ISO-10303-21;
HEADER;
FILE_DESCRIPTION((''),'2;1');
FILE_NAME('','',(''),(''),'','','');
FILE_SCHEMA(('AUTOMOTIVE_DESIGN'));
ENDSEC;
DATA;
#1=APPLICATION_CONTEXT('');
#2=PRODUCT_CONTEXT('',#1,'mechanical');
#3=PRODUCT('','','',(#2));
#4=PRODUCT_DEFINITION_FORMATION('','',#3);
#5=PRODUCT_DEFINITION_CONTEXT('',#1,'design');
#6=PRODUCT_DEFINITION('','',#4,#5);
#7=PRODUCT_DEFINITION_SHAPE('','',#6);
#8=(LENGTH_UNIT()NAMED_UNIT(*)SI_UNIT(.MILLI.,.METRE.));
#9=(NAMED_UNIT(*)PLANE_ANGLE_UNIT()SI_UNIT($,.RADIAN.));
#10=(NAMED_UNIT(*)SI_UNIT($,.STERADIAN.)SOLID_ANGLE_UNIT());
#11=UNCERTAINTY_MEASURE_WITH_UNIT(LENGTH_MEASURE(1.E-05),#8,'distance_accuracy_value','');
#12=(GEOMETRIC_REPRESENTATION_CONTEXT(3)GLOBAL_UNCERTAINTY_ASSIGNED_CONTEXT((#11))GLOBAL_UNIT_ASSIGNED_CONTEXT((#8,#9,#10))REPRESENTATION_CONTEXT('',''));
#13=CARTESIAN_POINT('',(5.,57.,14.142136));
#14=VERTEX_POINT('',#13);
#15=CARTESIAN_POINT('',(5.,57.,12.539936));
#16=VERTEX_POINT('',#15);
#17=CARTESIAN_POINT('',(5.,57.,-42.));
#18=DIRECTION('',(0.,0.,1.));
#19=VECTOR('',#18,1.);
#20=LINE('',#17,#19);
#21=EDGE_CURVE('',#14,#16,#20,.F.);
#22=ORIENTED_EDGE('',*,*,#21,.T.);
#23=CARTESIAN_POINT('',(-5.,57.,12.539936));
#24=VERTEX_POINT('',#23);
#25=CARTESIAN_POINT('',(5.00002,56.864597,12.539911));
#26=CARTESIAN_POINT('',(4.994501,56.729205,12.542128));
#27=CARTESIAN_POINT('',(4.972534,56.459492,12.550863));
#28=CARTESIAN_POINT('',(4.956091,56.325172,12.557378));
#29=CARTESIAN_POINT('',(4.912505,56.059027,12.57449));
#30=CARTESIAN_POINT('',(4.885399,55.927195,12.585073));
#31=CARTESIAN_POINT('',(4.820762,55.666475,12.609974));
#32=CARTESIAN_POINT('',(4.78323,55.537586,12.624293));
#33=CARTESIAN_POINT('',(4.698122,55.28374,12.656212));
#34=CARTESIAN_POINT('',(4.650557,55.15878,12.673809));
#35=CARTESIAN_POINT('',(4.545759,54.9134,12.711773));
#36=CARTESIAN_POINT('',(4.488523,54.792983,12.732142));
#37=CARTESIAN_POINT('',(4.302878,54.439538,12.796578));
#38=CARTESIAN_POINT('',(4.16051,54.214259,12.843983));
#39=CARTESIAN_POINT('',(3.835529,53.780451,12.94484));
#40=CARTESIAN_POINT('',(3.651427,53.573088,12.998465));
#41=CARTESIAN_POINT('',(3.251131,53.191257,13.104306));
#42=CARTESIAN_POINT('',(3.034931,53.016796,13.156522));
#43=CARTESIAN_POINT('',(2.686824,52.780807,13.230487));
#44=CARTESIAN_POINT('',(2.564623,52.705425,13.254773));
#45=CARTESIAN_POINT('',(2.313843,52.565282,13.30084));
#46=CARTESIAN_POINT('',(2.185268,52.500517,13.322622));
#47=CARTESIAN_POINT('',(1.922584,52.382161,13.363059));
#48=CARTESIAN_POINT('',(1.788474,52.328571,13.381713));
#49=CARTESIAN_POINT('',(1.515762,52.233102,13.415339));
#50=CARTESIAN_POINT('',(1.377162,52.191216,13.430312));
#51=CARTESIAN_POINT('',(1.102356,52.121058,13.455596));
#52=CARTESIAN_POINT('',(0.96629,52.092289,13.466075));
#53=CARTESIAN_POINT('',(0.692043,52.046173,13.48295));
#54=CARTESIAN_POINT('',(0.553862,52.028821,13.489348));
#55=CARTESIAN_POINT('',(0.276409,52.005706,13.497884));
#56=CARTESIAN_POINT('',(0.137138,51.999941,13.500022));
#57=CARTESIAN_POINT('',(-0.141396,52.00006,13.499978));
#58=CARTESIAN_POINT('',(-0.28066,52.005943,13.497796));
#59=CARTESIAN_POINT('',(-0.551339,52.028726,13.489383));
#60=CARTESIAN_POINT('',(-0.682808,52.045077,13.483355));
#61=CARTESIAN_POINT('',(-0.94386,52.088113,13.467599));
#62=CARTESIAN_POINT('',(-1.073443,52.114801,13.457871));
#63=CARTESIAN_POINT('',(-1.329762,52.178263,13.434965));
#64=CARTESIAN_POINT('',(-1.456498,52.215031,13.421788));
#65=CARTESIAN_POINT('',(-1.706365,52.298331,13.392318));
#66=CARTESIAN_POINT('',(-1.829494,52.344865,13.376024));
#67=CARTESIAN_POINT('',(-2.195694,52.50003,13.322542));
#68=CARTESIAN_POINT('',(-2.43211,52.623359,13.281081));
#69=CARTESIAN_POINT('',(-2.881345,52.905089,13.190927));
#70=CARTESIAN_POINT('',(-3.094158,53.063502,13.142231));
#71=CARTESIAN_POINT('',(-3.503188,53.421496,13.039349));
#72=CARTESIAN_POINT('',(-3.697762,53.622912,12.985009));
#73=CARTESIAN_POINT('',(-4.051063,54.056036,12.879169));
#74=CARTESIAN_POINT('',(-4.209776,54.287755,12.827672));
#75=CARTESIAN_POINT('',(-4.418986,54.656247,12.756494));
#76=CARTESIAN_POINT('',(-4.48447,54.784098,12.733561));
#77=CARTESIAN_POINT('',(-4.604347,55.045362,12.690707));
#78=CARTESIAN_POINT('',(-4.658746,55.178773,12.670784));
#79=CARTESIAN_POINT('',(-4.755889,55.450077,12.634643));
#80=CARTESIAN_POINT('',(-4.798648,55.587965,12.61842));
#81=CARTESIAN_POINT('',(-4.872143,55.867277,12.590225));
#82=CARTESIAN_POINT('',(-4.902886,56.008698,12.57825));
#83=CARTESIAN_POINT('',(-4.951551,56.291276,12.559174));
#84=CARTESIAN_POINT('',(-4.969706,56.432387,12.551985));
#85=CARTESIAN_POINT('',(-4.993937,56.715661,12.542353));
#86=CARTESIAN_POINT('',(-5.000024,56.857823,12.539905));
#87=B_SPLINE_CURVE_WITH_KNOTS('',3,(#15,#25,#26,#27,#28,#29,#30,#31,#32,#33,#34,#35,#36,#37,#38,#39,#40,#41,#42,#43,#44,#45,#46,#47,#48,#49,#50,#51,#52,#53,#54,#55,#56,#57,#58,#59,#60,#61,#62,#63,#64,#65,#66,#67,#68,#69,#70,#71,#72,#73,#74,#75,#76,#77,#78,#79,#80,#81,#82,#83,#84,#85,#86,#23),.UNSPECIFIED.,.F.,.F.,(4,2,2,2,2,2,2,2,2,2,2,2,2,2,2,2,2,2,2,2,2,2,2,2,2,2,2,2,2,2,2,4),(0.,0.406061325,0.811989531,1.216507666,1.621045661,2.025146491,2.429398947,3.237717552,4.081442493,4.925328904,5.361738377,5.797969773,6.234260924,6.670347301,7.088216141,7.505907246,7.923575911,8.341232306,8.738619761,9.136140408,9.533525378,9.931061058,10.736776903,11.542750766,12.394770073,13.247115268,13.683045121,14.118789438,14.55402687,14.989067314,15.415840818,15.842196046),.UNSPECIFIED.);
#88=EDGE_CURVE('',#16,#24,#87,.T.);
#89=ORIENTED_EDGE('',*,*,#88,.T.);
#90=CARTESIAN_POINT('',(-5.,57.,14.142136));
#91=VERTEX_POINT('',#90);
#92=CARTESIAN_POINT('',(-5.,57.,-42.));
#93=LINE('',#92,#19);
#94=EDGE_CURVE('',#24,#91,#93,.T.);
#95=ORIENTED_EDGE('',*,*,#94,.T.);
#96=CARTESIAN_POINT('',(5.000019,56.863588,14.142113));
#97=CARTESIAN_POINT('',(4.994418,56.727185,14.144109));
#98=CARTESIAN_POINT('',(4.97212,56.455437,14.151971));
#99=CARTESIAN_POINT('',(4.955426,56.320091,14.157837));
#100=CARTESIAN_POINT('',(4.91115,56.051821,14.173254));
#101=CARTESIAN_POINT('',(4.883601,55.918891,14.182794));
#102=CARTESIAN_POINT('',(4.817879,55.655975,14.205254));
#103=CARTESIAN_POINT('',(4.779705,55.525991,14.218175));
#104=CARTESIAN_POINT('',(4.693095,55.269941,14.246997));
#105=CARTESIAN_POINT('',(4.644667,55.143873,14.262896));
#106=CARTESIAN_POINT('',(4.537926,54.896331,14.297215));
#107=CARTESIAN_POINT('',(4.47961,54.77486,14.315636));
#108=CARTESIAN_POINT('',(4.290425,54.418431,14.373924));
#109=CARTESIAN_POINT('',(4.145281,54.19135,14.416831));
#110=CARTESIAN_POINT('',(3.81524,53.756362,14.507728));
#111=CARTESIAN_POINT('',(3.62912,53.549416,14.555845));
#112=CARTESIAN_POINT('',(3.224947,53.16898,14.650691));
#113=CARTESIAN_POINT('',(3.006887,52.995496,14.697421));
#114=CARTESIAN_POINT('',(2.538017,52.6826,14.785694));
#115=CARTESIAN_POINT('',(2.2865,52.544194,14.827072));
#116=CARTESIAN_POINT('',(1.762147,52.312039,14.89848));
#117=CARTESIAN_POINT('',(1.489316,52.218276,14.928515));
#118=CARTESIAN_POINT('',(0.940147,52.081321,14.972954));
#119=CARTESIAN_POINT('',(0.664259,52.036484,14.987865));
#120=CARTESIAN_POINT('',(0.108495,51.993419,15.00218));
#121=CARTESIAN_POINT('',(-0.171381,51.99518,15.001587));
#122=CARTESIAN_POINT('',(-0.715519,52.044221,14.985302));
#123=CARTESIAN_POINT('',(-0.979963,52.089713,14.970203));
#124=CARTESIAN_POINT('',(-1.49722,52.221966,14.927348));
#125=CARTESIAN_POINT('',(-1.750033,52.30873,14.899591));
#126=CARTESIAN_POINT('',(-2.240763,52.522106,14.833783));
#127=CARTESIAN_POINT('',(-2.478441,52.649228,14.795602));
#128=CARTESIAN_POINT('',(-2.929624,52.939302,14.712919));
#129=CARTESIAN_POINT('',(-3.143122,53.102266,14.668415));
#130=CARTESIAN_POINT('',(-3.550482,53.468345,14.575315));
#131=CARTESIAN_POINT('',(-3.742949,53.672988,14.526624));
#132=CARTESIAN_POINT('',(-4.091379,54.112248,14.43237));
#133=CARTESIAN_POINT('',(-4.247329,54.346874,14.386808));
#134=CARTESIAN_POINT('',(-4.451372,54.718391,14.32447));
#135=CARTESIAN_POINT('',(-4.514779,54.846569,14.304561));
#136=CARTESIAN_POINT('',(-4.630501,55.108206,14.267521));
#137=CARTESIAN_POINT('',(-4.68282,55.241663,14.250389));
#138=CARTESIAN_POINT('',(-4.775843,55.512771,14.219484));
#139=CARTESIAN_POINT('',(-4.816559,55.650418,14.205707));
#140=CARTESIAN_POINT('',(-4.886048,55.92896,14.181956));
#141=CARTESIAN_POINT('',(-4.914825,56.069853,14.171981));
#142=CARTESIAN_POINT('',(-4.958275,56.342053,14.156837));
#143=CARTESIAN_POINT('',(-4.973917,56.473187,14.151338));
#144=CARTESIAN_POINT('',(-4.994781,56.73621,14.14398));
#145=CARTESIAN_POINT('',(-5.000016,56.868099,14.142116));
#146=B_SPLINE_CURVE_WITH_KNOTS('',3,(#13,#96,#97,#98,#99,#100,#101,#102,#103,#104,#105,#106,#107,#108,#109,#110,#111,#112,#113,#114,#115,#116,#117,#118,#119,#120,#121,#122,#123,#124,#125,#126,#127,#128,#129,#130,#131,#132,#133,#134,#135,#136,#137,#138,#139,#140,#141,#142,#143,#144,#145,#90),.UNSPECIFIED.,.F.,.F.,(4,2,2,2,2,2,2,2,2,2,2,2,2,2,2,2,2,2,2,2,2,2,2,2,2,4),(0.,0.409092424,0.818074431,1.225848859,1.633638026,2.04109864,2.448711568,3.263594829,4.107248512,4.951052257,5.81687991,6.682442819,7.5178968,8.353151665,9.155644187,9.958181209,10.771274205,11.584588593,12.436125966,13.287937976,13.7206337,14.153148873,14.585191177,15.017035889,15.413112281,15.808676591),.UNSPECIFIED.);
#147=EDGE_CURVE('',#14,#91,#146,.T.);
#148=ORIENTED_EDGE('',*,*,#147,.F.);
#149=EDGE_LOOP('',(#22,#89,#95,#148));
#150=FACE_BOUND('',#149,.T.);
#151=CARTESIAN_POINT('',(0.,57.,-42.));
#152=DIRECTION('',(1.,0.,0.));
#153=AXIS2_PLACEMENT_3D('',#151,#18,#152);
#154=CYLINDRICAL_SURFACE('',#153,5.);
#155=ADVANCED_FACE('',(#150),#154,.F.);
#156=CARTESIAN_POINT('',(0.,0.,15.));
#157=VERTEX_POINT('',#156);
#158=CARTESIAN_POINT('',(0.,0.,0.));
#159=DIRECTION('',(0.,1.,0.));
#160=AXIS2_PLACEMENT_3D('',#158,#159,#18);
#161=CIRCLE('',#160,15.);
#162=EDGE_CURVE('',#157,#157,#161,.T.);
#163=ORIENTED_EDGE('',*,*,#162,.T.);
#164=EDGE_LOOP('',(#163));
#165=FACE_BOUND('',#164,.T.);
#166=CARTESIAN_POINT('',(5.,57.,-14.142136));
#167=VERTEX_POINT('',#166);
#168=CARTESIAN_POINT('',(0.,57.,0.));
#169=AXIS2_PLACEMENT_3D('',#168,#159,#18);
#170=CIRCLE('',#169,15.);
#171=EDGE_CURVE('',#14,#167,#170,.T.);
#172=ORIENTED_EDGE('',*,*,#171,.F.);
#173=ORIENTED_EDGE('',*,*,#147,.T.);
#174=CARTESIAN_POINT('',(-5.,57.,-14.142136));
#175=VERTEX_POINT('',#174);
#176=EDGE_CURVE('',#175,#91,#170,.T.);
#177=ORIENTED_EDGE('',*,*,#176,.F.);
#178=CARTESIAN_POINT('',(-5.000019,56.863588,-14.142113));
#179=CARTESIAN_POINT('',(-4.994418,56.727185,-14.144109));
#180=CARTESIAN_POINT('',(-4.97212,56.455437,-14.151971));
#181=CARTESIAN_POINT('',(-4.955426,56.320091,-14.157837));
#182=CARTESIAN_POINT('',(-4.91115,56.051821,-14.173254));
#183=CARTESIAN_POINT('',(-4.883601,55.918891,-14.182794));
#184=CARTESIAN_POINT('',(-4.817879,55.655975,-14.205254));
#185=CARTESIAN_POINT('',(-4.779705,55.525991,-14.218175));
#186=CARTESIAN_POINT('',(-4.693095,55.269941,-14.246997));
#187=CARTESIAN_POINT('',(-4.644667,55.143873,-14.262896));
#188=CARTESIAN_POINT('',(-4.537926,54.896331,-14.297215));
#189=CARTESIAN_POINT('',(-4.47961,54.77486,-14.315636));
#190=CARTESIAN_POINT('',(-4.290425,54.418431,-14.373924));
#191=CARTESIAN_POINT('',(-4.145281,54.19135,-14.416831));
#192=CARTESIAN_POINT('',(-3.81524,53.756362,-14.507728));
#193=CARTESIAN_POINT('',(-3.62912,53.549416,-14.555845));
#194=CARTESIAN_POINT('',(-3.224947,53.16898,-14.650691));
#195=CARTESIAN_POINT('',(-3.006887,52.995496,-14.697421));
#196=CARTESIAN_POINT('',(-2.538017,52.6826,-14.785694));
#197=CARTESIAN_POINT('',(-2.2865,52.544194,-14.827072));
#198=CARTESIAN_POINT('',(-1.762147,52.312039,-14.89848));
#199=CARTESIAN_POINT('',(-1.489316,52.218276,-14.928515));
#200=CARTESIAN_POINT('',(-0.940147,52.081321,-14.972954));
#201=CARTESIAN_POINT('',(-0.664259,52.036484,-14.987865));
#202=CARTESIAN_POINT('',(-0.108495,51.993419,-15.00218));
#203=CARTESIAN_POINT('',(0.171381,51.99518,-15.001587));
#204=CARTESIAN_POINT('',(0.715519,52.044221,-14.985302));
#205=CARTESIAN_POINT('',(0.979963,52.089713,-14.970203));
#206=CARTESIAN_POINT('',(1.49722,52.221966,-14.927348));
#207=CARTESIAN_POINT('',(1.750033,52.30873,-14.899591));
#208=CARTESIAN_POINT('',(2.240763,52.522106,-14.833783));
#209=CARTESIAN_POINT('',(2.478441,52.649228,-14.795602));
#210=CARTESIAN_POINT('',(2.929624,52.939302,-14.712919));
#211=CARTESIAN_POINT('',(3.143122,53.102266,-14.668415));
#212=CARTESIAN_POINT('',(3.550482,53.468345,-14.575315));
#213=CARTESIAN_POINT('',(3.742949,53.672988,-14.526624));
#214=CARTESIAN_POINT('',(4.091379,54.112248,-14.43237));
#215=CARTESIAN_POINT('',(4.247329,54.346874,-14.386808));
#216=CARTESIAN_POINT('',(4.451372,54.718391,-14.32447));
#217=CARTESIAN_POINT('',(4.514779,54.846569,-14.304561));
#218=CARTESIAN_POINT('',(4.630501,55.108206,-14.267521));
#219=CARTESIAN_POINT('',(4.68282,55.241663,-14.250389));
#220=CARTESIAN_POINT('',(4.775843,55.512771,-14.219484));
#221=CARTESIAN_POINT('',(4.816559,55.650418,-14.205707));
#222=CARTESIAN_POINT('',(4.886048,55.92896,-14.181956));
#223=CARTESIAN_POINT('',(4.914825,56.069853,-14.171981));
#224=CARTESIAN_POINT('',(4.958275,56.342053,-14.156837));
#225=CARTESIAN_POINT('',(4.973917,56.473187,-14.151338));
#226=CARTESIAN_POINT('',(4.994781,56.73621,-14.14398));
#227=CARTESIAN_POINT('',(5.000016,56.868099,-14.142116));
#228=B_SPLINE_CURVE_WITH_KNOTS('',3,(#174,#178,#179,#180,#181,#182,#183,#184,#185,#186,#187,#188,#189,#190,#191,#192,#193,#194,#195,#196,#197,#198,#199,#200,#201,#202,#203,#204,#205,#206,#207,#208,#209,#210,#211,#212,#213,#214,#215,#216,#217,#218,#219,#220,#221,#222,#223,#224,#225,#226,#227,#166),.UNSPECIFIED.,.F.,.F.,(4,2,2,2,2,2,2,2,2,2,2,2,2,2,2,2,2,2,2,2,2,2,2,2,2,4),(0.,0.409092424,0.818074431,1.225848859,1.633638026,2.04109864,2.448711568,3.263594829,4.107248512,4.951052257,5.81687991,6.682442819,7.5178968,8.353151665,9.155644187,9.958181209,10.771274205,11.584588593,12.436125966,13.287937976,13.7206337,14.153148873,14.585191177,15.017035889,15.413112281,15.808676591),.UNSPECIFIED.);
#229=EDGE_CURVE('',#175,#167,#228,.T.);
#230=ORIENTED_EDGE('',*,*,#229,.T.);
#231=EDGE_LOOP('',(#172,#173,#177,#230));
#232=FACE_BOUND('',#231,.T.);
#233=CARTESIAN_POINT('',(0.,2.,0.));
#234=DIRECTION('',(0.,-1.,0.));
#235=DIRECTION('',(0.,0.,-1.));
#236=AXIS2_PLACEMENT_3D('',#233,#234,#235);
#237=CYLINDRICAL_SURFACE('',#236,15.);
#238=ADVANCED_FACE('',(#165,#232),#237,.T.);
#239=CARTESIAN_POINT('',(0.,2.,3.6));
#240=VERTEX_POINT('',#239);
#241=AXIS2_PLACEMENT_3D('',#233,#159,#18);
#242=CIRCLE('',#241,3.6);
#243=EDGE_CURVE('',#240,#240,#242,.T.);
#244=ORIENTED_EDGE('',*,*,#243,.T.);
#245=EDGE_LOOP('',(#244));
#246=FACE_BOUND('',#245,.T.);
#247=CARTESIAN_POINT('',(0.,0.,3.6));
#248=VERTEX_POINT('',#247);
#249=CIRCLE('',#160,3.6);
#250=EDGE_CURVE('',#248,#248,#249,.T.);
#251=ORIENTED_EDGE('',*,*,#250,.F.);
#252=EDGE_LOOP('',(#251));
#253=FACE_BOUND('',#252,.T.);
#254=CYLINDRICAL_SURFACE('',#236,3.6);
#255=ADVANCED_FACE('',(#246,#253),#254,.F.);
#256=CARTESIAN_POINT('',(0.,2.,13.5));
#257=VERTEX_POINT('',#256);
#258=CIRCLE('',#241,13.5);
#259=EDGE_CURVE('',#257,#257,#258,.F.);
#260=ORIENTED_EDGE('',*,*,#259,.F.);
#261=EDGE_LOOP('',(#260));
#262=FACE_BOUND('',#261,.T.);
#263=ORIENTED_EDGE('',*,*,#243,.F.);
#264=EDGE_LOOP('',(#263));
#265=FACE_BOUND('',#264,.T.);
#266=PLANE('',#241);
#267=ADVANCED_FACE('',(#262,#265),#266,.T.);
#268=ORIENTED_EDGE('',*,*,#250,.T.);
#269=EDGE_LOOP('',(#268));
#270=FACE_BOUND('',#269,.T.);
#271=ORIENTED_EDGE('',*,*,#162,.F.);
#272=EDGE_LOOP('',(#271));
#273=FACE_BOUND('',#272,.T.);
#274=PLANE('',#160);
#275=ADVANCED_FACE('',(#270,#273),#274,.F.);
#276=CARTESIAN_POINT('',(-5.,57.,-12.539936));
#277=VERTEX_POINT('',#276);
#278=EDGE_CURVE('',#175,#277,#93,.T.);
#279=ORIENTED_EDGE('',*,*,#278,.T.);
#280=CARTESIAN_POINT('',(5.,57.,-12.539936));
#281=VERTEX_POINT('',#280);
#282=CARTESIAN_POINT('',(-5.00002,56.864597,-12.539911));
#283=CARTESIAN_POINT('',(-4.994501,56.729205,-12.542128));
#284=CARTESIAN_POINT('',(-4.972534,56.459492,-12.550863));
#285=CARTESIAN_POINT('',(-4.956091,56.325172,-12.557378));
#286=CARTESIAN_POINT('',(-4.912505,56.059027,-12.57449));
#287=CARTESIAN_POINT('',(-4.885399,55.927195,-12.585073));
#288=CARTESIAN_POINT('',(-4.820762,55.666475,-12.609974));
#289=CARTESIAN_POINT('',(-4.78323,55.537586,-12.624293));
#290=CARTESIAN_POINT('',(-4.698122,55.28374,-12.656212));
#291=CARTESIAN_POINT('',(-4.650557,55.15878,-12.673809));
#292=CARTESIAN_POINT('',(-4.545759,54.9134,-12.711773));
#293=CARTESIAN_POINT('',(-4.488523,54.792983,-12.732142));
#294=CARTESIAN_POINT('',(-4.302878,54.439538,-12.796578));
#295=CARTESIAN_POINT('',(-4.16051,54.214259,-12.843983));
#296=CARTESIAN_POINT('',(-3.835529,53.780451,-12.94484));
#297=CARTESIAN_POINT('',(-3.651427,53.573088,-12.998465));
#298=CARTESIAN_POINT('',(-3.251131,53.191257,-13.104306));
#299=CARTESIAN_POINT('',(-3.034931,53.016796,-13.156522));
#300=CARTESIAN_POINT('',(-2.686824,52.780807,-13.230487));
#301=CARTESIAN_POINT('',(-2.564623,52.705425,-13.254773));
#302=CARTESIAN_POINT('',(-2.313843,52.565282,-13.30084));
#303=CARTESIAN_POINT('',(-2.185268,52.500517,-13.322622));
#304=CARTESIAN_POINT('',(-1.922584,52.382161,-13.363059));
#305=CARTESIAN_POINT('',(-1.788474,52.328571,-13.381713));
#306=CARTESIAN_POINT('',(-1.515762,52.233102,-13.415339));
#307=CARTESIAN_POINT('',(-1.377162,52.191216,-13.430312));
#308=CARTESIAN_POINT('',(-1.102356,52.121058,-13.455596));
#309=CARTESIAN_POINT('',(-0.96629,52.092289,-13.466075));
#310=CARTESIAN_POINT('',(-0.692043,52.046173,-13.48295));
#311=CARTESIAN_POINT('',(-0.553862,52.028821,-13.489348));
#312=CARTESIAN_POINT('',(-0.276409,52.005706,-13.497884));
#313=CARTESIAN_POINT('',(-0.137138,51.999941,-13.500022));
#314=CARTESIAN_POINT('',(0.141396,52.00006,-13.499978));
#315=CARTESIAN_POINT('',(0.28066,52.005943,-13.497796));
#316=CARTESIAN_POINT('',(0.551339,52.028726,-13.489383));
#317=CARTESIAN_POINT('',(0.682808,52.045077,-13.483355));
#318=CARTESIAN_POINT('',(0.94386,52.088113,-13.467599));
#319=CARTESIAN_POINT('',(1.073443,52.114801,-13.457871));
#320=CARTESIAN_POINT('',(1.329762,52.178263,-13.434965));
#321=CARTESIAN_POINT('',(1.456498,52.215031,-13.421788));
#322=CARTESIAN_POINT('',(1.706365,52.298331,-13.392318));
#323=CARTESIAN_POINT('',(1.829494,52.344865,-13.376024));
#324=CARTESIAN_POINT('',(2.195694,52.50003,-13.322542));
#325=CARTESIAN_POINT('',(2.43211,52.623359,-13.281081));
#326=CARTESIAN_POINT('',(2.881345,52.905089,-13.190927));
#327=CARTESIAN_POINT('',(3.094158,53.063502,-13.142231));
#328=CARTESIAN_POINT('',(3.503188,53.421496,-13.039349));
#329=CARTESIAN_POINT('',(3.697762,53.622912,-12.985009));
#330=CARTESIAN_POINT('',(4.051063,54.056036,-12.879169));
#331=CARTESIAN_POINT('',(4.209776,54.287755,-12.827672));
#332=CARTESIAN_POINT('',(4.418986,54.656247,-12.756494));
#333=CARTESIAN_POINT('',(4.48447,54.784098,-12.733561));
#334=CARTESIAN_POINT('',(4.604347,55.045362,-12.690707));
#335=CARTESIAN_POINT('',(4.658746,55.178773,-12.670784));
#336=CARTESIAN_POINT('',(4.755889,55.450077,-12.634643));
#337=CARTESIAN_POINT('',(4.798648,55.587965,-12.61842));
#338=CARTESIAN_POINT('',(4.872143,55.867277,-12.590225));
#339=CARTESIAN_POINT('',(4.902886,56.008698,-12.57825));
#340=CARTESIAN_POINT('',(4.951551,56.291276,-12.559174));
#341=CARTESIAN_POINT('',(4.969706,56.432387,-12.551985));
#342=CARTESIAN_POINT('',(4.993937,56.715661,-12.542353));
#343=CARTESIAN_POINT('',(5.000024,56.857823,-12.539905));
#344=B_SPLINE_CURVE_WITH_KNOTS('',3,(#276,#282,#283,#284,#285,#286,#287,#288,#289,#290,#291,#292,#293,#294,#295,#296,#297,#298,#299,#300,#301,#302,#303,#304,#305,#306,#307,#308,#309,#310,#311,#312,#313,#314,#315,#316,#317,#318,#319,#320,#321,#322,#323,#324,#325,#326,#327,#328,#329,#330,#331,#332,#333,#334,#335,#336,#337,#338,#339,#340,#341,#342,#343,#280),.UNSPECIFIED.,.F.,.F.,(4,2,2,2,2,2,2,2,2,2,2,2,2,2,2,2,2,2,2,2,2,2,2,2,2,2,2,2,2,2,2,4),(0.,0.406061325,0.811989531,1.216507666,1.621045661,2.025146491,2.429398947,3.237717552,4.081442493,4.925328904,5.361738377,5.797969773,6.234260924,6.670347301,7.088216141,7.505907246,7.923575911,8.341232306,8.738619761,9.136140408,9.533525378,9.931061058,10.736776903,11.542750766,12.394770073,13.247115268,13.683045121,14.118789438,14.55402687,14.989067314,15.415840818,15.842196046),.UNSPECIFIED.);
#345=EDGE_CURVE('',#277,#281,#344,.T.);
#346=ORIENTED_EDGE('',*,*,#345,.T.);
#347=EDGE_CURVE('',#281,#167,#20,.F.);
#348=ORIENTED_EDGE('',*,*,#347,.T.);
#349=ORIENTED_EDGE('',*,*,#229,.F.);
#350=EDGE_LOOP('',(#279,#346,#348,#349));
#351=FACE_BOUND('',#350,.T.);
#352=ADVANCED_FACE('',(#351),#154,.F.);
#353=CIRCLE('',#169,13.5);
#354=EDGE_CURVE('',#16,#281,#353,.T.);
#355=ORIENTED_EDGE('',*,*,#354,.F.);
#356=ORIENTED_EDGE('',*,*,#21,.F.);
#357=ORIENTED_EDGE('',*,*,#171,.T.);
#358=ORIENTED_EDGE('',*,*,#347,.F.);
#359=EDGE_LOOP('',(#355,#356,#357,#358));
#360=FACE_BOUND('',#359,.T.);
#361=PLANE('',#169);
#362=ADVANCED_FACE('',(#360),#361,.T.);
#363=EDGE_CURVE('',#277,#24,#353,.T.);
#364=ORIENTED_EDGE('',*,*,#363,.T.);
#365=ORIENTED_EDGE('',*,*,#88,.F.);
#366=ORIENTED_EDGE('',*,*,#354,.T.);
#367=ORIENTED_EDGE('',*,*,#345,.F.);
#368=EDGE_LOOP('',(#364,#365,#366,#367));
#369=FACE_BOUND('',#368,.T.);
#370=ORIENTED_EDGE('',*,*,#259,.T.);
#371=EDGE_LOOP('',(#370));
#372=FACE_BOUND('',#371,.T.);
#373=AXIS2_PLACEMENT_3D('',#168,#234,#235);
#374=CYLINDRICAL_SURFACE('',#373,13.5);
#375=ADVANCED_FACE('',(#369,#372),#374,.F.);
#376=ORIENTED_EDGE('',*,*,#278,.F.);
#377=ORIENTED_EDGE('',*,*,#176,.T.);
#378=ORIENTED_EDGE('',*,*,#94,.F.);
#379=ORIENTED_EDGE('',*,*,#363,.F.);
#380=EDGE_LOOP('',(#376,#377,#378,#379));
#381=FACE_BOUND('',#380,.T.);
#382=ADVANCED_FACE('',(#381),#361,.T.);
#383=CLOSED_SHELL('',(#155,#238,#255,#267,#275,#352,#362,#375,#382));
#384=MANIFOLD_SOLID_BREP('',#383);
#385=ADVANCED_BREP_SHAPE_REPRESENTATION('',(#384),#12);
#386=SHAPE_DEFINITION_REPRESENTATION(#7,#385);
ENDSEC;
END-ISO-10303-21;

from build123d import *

# Parameters (mm, degrees)
SKETCH1_R           = 15
SKETCH1_R_2         = 3.6
BOSS_EXTRUDE1_DEPTH = 2
SKETCH1_3_R         = 15
SKETCH1_3_R_2       = 13.5
BOSS_EXTRUDE2_DEPTH = 57
SKETCH3_R           = 5
CUT_EXTRUDE2_DEPTH  = 57


with BuildPart() as part:
    # Sketch1 → Boss-Extrude1 (new body)
    with BuildSketch(Plane(origin=(0, 0, 0), x_dir=(1, 0, 0), z_dir=(0, 1, 0))):
        Circle(SKETCH1_R)
        Circle(SKETCH1_R_2, mode=Mode.SUBTRACT)
    extrude(amount=BOSS_EXTRUDE1_DEPTH)

    # Sketch1<3> → Boss-Extrude2 (add)
    with BuildSketch(Plane(origin=(0, 0, 0), x_dir=(1, 0, 0), z_dir=(0, 1, 0))):
        Circle(SKETCH1_3_R)
        Circle(SKETCH1_3_R_2, mode=Mode.SUBTRACT)
    extrude(amount=BOSS_EXTRUDE2_DEPTH)

    # Sketch3 → Cut-Extrude2 (cut)
    with BuildSketch(Plane.XY.offset(15)):
        with Locations((0, 57)):
            Circle(SKETCH3_R)
    extrude(amount=-CUT_EXTRUDE2_DEPTH, mode=Mode.SUBTRACT)


solid = part.part
